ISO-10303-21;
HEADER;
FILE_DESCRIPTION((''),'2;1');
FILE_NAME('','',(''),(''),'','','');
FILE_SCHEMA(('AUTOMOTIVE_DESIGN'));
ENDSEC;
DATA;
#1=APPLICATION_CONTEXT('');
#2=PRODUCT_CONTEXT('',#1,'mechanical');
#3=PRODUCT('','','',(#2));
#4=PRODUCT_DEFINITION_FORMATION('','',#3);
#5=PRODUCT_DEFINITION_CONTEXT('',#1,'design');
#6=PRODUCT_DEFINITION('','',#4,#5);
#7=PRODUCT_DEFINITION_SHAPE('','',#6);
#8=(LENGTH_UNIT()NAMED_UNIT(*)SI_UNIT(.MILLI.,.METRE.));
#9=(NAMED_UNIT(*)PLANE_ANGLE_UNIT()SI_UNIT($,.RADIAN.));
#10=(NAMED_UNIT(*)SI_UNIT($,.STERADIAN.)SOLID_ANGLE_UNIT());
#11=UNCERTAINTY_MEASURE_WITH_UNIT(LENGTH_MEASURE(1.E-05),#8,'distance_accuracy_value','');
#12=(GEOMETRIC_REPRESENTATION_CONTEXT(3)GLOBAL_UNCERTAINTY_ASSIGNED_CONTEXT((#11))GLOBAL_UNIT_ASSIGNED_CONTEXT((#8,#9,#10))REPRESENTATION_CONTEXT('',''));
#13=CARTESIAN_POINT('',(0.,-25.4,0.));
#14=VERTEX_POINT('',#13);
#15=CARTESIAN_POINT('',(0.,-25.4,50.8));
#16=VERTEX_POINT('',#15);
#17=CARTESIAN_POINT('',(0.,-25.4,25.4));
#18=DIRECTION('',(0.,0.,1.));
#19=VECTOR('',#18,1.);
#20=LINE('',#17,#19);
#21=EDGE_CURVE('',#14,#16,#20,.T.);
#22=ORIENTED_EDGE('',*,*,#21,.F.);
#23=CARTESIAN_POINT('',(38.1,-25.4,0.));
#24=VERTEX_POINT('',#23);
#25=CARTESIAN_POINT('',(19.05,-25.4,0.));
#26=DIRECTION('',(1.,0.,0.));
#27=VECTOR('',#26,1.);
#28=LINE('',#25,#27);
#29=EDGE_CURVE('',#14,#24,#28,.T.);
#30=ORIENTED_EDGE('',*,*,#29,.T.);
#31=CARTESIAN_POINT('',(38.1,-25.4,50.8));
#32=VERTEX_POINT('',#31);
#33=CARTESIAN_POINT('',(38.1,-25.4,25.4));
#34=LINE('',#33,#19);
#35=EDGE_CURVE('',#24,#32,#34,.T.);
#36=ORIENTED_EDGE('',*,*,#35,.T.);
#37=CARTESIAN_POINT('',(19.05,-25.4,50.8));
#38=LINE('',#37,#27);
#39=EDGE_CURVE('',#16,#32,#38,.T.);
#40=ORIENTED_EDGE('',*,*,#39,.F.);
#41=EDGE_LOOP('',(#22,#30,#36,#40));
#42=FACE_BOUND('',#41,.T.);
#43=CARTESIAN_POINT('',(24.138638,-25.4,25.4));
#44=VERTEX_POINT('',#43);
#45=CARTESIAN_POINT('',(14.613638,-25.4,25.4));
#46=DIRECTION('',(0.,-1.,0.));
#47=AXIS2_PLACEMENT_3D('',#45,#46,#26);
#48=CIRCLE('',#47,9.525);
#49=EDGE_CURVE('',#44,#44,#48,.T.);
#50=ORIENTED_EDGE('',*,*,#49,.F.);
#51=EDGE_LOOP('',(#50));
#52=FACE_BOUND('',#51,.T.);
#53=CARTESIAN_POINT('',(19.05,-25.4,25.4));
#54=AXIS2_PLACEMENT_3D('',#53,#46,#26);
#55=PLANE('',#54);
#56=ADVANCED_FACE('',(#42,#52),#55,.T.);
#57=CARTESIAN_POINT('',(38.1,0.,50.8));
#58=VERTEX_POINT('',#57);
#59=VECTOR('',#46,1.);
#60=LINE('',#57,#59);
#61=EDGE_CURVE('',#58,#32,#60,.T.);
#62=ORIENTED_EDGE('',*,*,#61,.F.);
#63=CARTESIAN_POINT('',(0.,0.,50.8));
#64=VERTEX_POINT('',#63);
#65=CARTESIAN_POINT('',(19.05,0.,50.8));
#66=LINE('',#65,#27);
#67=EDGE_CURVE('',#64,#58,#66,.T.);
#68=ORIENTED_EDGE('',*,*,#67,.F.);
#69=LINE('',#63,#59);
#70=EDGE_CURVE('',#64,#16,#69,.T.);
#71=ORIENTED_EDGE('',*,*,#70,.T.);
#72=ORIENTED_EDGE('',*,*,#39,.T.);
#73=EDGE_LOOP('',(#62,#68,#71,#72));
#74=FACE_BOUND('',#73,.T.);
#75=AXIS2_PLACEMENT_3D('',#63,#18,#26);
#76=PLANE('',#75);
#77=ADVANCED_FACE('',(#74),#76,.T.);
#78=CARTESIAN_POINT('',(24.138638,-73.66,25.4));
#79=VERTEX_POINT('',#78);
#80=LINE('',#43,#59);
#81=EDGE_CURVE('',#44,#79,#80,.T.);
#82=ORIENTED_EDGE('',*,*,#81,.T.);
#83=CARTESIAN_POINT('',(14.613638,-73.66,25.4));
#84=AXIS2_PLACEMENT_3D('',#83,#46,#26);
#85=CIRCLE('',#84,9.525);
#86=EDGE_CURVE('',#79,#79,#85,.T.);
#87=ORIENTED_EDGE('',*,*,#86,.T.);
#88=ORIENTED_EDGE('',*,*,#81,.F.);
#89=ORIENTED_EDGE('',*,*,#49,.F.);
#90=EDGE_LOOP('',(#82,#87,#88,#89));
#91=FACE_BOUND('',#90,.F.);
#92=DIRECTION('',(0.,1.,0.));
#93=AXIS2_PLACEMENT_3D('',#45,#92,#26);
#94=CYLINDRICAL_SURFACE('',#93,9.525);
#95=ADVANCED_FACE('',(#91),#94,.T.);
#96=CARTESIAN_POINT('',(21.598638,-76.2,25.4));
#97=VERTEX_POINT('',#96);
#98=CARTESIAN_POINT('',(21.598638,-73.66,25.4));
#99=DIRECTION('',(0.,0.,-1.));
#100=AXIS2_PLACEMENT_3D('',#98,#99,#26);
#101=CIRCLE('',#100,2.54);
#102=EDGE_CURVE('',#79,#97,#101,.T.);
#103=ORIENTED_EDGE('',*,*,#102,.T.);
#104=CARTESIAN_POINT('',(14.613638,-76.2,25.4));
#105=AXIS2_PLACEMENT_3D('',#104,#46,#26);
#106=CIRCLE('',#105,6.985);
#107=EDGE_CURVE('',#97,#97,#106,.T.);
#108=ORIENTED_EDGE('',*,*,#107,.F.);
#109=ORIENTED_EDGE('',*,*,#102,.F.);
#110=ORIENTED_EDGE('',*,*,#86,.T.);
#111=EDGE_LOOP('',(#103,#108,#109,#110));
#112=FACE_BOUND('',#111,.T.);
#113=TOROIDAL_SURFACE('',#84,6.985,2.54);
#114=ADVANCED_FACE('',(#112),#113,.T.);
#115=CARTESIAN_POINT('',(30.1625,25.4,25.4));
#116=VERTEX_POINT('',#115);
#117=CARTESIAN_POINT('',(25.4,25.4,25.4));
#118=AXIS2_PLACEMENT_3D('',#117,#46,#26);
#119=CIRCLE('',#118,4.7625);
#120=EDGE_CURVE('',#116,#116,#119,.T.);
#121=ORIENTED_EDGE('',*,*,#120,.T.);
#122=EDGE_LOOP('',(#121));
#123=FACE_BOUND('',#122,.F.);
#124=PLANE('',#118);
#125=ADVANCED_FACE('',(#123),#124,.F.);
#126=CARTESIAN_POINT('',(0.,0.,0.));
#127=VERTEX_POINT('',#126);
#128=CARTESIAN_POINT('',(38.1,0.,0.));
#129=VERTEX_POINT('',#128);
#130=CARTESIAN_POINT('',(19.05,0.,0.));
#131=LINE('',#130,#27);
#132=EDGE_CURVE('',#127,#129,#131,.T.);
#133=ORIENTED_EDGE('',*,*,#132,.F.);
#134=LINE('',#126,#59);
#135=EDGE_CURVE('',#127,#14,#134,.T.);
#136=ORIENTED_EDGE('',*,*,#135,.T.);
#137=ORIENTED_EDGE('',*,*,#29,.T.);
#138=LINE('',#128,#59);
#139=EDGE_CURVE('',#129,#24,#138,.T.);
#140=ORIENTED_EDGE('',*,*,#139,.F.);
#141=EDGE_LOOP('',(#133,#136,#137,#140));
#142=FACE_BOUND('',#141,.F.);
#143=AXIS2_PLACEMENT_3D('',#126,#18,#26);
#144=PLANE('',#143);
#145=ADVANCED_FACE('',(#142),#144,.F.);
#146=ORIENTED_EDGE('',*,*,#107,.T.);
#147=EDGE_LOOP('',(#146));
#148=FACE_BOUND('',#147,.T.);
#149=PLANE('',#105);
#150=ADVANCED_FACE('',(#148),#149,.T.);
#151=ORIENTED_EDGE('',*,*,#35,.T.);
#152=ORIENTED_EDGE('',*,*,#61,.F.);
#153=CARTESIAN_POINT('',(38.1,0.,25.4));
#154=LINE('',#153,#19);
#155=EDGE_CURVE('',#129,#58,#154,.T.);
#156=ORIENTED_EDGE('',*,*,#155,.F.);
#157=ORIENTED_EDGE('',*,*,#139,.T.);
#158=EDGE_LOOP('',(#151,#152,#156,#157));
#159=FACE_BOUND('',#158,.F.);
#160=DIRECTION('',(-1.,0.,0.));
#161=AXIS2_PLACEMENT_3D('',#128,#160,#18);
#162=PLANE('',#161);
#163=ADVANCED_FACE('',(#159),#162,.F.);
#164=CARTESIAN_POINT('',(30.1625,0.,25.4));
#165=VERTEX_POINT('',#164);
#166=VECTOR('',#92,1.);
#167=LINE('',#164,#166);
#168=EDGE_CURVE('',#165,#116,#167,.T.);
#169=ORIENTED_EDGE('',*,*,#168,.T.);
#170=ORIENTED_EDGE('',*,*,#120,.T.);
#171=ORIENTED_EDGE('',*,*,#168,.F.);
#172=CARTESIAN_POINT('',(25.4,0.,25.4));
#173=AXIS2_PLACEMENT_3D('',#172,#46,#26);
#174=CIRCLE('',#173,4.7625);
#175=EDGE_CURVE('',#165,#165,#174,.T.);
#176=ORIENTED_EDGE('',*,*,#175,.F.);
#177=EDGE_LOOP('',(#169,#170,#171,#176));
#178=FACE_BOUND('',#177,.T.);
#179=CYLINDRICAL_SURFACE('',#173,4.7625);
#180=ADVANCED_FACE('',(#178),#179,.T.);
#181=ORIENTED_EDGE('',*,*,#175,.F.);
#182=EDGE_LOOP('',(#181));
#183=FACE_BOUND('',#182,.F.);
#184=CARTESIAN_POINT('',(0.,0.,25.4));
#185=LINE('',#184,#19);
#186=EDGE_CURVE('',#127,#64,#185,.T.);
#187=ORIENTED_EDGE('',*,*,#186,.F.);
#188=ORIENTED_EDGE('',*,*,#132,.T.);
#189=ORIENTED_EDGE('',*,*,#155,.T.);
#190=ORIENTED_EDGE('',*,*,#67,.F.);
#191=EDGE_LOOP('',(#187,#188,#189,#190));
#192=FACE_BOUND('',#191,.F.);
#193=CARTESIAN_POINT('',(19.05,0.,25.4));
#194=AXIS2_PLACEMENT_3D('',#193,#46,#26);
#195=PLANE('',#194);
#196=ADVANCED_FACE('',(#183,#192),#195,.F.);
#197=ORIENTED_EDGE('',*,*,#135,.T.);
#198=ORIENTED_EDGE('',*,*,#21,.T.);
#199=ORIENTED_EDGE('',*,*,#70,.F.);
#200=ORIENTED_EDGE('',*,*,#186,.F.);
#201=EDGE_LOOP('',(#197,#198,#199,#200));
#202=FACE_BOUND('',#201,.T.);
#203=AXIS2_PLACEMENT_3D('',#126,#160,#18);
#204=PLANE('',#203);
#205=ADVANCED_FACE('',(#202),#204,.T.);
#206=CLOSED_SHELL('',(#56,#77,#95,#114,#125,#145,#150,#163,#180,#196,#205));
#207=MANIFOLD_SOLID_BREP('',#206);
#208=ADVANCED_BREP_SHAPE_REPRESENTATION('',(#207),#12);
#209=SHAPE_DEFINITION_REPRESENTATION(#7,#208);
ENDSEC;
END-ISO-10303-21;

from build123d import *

# Parameters (mm, degrees)
F0_W     = 38.1
F0_H     = 50.8
F1_DEPTH = 25.4
F2_R     = 9.525
F3_DEPTH = 50.8
F4_R     = 2.54
F6_R     = 4.7625
F7_DEPTH = 25.4


with BuildPart() as f1:
    # F0 (on Front) → F1 (new body)
    with BuildSketch(Plane.XZ):
        with Locations((19.05, 25.4)):
            Rectangle(F0_W, F0_H)
    extrude(amount=F1_DEPTH)

    # F2 (on face) → F3 (join)
    with BuildSketch(Plane.XZ.offset(25.4)):
        with Locations((14.613638, 25.4)):
            Circle(F2_R)
    extrude(amount=F3_DEPTH)

    # F4
    f4_edges = [f1.edges().sort_by_distance(p)[0] for p in [
        (5.088638, -76.2, 25.4),
    ]]
    fillet(f4_edges, radius=F4_R)

    # F6 (on face) → F7 (join)
    with BuildSketch(Plane.XZ):
        with Locations((25.4, 25.4)):
            Circle(F6_R)
    extrude(amount=-F7_DEPTH)


solid = f1.part
